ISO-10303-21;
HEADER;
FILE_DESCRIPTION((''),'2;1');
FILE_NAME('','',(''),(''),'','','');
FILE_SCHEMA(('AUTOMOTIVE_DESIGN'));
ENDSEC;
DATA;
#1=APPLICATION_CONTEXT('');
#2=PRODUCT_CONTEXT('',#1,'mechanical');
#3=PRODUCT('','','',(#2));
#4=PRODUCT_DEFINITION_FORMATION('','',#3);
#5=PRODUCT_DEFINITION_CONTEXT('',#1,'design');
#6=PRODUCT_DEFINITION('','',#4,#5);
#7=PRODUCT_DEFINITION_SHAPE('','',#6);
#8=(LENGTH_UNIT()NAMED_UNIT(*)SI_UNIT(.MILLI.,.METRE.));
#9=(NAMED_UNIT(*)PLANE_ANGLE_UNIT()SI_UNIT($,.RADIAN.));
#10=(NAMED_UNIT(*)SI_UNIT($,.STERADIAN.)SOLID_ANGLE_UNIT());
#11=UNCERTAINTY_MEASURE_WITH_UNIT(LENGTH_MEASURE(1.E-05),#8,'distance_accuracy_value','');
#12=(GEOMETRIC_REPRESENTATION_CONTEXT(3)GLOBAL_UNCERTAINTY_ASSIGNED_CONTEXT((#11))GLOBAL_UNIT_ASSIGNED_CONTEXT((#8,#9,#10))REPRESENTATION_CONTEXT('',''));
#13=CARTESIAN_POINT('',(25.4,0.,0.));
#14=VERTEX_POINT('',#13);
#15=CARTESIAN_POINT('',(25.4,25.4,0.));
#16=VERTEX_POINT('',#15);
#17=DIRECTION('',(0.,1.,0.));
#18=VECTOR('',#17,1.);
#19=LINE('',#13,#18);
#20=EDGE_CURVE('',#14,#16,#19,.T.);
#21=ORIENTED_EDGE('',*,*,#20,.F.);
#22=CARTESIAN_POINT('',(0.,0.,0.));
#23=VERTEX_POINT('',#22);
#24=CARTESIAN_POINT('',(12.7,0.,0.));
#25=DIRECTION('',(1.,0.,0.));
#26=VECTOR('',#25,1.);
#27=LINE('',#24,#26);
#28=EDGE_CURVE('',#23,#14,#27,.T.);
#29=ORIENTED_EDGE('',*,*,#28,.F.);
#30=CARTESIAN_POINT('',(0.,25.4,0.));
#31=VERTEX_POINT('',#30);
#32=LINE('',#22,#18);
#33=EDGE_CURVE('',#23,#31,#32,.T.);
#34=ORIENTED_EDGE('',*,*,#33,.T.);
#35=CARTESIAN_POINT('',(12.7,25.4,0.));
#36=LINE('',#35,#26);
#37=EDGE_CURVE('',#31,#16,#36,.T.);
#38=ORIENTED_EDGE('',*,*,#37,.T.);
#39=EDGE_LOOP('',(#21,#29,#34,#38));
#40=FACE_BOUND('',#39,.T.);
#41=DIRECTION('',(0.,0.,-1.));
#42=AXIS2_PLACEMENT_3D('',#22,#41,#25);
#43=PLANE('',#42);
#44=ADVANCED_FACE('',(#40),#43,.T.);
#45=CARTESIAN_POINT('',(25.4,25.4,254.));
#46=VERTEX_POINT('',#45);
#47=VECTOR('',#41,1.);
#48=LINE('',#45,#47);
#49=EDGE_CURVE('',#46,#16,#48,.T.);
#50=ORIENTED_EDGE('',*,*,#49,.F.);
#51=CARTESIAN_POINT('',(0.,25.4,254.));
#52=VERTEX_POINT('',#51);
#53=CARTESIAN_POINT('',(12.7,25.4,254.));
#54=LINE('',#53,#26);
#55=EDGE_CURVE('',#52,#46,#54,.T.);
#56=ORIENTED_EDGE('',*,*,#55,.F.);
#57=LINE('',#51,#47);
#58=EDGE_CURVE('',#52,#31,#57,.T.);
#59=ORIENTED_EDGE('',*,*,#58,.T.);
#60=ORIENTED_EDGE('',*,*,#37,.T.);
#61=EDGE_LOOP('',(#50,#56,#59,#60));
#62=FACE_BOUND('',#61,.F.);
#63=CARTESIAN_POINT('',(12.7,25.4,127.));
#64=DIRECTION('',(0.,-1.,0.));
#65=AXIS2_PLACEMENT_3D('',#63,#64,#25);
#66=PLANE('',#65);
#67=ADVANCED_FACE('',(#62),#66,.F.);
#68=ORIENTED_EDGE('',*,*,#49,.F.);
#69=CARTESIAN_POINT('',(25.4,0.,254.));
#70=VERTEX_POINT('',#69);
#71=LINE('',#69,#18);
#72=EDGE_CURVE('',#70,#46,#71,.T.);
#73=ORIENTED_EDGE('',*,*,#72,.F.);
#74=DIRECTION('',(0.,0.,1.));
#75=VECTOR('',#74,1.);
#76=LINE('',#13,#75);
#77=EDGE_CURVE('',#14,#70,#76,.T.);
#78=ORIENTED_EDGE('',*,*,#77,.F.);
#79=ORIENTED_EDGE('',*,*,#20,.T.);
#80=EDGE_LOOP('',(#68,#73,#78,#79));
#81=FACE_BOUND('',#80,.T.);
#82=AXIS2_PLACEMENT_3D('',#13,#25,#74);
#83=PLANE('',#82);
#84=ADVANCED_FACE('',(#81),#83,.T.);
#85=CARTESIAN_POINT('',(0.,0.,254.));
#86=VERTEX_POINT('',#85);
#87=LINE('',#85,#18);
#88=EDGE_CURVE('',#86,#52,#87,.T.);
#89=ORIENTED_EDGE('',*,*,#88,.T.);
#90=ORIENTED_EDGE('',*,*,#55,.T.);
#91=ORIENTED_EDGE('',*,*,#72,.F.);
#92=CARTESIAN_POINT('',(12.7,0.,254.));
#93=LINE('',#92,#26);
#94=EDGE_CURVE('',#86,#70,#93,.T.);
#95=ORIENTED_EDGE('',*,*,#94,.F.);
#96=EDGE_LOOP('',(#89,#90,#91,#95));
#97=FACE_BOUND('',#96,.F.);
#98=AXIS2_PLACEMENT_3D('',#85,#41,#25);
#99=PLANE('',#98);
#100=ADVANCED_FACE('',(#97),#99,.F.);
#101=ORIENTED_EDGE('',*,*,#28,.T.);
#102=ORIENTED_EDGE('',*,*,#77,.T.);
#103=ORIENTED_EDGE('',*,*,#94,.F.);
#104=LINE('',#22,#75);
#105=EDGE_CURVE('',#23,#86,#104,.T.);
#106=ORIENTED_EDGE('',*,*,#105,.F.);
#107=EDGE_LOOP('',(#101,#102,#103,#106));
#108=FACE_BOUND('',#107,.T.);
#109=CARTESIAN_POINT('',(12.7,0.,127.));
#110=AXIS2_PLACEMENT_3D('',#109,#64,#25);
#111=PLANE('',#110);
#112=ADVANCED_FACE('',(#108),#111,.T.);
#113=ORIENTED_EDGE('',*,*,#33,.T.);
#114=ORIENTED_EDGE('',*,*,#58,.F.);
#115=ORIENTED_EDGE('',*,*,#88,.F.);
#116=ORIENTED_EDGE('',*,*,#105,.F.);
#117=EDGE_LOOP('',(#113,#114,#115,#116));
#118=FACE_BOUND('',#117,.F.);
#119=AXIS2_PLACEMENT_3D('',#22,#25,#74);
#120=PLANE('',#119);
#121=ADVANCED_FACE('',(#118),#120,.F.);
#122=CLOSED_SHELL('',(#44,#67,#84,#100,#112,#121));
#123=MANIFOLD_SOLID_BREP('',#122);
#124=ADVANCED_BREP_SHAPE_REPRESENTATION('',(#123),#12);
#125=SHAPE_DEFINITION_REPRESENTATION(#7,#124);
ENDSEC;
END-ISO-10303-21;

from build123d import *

# Parameters (mm, degrees)
F0_W      = 25.4
F0_H      = 254
F1_DEPTH  = 25.4
F1_FACE_W = 25.4
F1_FACE_H = 25.4
F2_DEPTH  = 203.2


with BuildPart() as f1:
    # F0 (on Front) → F1 (new body)
    with BuildSketch(Plane.XZ):
        with Locations((12.7, 127)):
            Rectangle(F0_W, F0_H)
    extrude(amount=-F1_DEPTH)

    # F1_face (on face) → F2 (join)
    with BuildSketch(Plane(origin=(12.7, 12.7, 254), x_dir=(1, 0, 0), z_dir=(0, 0, 1))):
        Rectangle(F1_FACE_W, F1_FACE_H)
    extrude(amount=-F2_DEPTH)


solid = f1.part
